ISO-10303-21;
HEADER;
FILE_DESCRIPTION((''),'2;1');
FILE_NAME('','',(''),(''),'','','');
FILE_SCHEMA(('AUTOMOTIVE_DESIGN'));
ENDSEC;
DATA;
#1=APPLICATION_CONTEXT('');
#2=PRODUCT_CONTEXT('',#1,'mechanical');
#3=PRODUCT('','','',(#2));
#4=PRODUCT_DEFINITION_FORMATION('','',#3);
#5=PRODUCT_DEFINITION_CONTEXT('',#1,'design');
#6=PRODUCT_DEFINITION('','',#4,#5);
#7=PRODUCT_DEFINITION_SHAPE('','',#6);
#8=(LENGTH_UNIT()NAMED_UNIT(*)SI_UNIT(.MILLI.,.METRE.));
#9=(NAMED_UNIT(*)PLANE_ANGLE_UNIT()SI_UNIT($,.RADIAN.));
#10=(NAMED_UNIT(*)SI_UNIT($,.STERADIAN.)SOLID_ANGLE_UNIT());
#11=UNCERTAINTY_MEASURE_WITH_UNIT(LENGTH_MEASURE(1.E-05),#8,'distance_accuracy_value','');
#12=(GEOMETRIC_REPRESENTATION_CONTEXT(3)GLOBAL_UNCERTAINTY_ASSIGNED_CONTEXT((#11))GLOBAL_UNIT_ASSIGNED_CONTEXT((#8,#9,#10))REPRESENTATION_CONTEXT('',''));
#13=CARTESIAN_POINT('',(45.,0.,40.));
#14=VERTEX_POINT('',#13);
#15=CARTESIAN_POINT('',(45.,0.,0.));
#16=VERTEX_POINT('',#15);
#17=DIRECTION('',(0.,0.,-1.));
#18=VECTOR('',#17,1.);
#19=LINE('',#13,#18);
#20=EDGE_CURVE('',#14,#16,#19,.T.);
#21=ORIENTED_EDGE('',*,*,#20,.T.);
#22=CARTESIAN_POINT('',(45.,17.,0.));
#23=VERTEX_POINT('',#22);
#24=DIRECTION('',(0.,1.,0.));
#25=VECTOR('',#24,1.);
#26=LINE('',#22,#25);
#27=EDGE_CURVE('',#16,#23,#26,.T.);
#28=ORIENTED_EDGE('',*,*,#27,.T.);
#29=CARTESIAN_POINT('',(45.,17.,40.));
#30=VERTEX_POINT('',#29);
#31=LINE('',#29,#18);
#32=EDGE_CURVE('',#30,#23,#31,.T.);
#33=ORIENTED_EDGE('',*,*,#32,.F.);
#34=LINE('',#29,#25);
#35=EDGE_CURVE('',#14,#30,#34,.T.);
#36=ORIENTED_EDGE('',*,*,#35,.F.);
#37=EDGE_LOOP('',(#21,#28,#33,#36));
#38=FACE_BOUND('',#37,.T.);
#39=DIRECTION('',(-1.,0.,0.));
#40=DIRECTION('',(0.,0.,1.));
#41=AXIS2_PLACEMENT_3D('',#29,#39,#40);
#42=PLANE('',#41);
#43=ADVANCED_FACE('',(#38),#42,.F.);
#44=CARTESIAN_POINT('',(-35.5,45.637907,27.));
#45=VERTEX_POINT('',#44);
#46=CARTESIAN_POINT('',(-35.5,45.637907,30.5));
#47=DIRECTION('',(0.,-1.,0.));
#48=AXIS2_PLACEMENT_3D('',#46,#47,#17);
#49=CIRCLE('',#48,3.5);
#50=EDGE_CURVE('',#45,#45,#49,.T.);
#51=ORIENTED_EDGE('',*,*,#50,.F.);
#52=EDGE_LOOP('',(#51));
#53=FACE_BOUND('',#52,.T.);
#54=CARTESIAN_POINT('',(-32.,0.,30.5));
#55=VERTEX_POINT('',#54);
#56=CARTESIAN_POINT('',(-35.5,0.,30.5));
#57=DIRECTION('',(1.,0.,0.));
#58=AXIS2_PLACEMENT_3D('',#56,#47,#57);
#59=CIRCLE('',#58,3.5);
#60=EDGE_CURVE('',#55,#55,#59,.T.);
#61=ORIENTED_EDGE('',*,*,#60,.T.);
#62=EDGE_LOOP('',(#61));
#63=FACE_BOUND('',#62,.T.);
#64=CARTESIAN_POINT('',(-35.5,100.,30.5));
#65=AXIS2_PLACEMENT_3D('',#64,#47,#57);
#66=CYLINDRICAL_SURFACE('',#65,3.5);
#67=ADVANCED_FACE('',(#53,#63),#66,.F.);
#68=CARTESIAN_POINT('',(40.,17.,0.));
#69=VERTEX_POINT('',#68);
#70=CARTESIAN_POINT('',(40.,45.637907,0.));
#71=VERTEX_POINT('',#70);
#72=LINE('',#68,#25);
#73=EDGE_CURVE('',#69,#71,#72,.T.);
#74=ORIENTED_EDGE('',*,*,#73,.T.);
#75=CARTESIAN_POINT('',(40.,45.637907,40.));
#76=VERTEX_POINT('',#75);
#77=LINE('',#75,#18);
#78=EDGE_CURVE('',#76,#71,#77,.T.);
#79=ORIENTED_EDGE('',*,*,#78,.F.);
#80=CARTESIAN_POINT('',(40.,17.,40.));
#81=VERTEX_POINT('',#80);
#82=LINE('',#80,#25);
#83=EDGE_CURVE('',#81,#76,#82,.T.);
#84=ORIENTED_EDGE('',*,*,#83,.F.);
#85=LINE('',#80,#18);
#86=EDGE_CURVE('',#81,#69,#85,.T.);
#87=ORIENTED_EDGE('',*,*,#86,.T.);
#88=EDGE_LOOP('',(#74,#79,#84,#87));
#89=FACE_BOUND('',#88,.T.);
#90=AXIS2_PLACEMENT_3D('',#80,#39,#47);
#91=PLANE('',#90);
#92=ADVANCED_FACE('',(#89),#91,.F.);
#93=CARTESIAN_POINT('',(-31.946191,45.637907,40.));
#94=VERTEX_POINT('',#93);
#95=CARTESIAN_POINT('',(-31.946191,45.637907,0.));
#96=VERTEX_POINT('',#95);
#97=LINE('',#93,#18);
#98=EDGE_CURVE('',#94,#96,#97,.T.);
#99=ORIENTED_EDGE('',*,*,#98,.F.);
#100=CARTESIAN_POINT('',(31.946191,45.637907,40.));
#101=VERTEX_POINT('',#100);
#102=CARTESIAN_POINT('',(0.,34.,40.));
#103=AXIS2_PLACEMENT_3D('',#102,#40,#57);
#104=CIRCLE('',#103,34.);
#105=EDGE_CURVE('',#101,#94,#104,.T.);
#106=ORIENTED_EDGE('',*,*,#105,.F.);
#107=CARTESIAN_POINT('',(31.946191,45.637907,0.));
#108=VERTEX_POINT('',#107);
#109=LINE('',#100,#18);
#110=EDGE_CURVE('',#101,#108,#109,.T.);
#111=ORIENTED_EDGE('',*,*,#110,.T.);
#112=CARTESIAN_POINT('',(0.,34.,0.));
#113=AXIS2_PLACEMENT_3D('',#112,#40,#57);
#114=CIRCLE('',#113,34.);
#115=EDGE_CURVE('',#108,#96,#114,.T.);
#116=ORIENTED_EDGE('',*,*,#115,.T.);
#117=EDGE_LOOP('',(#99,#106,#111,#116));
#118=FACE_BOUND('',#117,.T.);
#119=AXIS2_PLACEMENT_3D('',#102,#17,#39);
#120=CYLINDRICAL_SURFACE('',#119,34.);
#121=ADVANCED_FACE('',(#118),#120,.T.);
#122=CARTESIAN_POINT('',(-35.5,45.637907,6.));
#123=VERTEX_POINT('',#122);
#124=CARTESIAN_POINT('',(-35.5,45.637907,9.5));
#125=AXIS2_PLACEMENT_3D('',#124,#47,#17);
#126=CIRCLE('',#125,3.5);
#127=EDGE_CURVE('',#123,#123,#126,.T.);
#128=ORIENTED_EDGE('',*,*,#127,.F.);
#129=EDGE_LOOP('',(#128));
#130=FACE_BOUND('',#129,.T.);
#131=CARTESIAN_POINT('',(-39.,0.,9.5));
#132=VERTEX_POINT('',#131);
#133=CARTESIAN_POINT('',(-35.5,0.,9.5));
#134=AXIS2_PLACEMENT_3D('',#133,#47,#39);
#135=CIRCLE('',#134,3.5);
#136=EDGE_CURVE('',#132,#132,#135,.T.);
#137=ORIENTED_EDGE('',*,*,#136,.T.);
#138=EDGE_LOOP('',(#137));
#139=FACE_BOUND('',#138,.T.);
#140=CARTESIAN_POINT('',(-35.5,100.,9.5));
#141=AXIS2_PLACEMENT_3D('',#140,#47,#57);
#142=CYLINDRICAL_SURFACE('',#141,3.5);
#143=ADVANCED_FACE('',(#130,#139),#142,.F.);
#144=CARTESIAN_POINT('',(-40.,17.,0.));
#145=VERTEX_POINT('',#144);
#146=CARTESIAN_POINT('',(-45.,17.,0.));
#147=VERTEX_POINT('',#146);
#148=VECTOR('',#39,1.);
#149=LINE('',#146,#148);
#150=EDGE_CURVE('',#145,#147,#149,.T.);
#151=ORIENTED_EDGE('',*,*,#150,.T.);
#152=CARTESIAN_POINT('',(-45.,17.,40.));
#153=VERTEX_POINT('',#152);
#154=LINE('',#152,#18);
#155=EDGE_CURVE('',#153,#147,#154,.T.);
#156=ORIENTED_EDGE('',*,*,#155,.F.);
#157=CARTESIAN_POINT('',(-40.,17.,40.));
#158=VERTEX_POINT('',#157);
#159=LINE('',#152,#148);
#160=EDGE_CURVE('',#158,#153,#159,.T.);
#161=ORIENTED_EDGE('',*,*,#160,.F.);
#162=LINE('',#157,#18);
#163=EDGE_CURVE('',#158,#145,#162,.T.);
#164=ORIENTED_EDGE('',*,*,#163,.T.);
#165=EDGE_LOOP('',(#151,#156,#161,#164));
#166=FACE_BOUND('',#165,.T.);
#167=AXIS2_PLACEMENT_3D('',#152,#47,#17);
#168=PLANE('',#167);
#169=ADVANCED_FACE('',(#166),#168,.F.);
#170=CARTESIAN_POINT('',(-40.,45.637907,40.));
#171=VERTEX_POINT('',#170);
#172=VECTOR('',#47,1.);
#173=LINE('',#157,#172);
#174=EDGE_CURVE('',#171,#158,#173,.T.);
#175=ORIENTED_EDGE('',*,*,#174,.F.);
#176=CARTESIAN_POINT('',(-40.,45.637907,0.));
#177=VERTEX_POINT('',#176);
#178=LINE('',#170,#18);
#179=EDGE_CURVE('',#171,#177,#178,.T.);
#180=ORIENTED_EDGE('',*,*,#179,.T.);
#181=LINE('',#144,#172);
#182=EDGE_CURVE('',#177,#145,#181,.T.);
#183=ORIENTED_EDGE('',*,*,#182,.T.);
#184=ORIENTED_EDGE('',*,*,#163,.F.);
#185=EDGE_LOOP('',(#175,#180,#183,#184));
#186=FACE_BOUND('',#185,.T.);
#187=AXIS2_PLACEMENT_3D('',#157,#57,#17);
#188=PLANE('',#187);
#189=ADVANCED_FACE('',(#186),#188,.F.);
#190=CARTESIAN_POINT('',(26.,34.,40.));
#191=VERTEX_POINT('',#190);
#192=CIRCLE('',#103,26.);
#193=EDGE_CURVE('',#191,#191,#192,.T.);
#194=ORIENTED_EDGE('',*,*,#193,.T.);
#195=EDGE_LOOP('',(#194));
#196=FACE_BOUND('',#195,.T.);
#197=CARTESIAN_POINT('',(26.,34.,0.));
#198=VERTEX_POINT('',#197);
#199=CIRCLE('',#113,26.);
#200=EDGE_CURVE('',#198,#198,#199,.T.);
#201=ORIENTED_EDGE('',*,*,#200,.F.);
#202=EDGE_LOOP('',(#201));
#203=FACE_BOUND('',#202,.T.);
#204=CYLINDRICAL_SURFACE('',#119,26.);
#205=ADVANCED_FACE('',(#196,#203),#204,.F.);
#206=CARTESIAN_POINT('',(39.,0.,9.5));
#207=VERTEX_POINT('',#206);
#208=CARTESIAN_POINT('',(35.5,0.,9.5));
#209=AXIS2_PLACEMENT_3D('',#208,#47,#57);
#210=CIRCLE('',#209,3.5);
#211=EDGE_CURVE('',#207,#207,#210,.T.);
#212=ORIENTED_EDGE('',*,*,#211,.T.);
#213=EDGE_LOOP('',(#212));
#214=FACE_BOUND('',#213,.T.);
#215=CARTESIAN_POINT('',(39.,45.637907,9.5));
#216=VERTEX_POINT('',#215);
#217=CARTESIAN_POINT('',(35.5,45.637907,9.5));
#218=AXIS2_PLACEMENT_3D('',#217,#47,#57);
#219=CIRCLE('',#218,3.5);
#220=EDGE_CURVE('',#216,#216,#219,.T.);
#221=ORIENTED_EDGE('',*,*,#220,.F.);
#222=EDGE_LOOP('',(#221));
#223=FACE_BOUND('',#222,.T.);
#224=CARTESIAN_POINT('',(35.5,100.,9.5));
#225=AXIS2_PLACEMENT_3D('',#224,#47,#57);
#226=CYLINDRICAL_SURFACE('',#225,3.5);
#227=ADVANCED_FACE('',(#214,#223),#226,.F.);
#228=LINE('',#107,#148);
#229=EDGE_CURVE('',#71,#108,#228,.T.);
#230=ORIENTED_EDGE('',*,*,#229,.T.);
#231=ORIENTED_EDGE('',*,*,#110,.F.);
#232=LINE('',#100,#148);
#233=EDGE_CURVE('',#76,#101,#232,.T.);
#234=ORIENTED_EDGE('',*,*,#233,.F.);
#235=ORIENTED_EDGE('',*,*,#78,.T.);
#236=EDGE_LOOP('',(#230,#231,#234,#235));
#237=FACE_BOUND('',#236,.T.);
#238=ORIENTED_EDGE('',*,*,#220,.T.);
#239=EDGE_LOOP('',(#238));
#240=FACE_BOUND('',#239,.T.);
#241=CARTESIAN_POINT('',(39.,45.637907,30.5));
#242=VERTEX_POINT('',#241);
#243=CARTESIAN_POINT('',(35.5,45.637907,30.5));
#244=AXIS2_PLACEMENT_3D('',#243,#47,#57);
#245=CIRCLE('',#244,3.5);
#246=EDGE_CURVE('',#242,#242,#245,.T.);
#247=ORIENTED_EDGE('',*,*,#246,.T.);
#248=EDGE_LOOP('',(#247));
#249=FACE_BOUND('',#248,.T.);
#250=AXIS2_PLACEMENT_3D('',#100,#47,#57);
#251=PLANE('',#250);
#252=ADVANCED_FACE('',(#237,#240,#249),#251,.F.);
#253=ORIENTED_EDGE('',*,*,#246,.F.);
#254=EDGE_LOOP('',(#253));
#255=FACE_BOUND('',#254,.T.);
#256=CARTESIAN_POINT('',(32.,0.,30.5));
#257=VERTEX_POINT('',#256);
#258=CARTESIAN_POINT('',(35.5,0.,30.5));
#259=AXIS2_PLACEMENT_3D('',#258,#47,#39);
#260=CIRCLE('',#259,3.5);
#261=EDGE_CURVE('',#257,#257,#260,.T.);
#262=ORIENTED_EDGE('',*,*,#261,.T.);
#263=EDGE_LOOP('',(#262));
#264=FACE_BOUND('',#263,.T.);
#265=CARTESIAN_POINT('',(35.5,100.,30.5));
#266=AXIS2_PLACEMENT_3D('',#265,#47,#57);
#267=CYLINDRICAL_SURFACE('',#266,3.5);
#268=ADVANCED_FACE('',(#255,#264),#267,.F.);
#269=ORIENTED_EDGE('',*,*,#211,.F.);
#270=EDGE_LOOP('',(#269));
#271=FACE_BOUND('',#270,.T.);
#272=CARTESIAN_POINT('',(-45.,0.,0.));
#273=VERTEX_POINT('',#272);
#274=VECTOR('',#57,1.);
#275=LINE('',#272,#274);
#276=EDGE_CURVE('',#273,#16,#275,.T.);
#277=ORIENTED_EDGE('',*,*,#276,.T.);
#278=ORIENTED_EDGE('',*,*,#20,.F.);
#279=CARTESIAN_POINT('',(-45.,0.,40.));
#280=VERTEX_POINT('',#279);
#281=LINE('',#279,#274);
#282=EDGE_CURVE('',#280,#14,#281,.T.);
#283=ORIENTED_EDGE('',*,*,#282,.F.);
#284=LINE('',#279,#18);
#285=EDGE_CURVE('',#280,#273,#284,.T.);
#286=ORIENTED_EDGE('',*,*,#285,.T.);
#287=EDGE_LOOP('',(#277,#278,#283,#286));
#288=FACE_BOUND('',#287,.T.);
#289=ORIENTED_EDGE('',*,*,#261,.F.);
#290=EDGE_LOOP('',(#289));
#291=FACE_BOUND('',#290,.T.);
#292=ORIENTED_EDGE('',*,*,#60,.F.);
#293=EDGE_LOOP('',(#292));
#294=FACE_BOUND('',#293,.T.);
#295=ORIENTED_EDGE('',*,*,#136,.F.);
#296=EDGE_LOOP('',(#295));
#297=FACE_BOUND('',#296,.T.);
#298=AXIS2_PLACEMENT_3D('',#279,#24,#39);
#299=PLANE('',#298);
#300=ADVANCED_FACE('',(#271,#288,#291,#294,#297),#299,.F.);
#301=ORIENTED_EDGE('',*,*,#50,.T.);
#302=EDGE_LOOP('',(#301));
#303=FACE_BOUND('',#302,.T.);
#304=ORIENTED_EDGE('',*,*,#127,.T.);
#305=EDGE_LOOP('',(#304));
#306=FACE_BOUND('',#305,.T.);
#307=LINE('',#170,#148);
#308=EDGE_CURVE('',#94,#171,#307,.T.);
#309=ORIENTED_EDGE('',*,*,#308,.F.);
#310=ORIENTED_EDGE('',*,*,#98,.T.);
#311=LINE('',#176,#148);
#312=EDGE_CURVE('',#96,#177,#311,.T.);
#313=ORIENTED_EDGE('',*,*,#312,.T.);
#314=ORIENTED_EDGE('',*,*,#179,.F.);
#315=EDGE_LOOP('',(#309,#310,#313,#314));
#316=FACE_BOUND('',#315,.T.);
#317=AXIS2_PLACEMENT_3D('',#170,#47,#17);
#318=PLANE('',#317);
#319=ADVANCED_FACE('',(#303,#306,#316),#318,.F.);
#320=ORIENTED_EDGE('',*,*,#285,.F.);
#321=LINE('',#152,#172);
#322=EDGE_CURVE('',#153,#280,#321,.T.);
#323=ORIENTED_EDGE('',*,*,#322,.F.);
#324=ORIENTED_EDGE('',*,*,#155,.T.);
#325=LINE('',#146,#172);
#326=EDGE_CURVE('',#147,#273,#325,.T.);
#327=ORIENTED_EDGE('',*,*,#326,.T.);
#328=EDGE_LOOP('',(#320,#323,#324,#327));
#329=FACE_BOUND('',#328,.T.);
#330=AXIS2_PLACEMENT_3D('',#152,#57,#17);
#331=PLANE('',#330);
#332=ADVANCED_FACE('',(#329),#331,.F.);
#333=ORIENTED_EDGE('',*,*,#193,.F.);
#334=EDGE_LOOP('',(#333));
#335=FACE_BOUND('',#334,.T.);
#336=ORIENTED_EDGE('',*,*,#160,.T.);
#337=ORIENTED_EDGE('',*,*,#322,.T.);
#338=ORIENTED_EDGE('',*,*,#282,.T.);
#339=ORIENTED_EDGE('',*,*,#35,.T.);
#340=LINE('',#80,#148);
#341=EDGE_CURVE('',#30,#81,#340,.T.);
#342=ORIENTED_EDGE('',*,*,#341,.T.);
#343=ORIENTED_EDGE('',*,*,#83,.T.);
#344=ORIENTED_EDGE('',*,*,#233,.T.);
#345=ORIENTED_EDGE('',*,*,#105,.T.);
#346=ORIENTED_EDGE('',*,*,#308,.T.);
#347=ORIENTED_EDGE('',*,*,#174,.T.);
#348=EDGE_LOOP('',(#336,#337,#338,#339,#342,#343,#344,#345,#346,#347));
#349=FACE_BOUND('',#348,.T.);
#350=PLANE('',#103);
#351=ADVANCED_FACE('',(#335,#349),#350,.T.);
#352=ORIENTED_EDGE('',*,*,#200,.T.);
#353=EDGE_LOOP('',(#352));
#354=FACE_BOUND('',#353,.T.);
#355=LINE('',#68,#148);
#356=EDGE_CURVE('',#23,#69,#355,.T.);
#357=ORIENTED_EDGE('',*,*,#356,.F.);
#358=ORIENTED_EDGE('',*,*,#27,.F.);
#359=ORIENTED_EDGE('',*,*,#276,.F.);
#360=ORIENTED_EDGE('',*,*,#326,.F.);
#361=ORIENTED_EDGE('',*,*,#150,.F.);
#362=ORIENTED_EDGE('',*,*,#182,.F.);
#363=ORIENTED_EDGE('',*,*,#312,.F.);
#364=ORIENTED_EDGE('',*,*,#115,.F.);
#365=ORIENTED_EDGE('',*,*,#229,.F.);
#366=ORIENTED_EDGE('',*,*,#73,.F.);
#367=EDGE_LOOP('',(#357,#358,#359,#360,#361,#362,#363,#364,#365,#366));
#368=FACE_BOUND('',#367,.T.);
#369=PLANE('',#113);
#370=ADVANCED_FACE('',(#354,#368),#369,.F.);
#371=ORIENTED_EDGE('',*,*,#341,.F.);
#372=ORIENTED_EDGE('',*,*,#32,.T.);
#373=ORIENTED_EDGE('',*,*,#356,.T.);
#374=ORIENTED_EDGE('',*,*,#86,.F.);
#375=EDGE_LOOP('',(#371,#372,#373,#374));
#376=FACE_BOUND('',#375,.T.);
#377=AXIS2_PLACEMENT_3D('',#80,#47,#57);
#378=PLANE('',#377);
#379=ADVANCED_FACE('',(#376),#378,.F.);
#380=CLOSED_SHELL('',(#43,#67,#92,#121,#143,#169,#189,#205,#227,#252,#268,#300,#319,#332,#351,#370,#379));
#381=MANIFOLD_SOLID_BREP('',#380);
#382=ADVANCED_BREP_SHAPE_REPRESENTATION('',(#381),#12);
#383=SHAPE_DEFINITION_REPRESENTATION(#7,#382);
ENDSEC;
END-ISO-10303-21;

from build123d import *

# Parameters (mm, degrees)
SKETCH1_R           = 26
BOSS_EXTRUDE1_DEPTH = 40
SKETCH2_R           = 3.5
CUT_EXTRUDE1_DEPTH  = 100


with BuildPart() as part:
    # Sketch1 → Boss-Extrude1 (new body)
    with BuildSketch(Plane.XY):
        with BuildLine():
            Line((40, 17), (45, 17))
            Line((45, 17), (45, 0))
            Line((45, 0), (-45, 0))
            Line((-45, 0), (-45, 17))
            Line((-45, 17), (-40, 17))
            Line((-40, 17), (-40, 45.637906937))
            Line((-40, 45.637906937), (-31.946191042, 45.637906937))
            ThreePointArc((-31.946191042, 45.637906937), (0, 68), (31.946191042, 45.637906937))
            Line((31.946191042, 45.637906937), (40, 45.637906937))
            Line((40, 45.637906937), (40, 17))
        make_face()
        with Locations((0, 34)):
            Circle(SKETCH1_R, mode=Mode.SUBTRACT)
    extrude(amount=BOSS_EXTRUDE1_DEPTH)

    # Sketch2 → Cut-Extrude1 (cut)
    with BuildSketch(Plane.XZ):
        with Locations((-35.5, 30.5)):
            Circle(SKETCH2_R)
        with Locations((-35.5, 9.5)):
            Circle(SKETCH2_R)
        with Locations((35.5, 30.5)):
            Circle(SKETCH2_R)
        with Locations((35.5, 9.5)):
            Circle(SKETCH2_R)
    extrude(amount=-CUT_EXTRUDE1_DEPTH, mode=Mode.SUBTRACT)


solid = part.part
